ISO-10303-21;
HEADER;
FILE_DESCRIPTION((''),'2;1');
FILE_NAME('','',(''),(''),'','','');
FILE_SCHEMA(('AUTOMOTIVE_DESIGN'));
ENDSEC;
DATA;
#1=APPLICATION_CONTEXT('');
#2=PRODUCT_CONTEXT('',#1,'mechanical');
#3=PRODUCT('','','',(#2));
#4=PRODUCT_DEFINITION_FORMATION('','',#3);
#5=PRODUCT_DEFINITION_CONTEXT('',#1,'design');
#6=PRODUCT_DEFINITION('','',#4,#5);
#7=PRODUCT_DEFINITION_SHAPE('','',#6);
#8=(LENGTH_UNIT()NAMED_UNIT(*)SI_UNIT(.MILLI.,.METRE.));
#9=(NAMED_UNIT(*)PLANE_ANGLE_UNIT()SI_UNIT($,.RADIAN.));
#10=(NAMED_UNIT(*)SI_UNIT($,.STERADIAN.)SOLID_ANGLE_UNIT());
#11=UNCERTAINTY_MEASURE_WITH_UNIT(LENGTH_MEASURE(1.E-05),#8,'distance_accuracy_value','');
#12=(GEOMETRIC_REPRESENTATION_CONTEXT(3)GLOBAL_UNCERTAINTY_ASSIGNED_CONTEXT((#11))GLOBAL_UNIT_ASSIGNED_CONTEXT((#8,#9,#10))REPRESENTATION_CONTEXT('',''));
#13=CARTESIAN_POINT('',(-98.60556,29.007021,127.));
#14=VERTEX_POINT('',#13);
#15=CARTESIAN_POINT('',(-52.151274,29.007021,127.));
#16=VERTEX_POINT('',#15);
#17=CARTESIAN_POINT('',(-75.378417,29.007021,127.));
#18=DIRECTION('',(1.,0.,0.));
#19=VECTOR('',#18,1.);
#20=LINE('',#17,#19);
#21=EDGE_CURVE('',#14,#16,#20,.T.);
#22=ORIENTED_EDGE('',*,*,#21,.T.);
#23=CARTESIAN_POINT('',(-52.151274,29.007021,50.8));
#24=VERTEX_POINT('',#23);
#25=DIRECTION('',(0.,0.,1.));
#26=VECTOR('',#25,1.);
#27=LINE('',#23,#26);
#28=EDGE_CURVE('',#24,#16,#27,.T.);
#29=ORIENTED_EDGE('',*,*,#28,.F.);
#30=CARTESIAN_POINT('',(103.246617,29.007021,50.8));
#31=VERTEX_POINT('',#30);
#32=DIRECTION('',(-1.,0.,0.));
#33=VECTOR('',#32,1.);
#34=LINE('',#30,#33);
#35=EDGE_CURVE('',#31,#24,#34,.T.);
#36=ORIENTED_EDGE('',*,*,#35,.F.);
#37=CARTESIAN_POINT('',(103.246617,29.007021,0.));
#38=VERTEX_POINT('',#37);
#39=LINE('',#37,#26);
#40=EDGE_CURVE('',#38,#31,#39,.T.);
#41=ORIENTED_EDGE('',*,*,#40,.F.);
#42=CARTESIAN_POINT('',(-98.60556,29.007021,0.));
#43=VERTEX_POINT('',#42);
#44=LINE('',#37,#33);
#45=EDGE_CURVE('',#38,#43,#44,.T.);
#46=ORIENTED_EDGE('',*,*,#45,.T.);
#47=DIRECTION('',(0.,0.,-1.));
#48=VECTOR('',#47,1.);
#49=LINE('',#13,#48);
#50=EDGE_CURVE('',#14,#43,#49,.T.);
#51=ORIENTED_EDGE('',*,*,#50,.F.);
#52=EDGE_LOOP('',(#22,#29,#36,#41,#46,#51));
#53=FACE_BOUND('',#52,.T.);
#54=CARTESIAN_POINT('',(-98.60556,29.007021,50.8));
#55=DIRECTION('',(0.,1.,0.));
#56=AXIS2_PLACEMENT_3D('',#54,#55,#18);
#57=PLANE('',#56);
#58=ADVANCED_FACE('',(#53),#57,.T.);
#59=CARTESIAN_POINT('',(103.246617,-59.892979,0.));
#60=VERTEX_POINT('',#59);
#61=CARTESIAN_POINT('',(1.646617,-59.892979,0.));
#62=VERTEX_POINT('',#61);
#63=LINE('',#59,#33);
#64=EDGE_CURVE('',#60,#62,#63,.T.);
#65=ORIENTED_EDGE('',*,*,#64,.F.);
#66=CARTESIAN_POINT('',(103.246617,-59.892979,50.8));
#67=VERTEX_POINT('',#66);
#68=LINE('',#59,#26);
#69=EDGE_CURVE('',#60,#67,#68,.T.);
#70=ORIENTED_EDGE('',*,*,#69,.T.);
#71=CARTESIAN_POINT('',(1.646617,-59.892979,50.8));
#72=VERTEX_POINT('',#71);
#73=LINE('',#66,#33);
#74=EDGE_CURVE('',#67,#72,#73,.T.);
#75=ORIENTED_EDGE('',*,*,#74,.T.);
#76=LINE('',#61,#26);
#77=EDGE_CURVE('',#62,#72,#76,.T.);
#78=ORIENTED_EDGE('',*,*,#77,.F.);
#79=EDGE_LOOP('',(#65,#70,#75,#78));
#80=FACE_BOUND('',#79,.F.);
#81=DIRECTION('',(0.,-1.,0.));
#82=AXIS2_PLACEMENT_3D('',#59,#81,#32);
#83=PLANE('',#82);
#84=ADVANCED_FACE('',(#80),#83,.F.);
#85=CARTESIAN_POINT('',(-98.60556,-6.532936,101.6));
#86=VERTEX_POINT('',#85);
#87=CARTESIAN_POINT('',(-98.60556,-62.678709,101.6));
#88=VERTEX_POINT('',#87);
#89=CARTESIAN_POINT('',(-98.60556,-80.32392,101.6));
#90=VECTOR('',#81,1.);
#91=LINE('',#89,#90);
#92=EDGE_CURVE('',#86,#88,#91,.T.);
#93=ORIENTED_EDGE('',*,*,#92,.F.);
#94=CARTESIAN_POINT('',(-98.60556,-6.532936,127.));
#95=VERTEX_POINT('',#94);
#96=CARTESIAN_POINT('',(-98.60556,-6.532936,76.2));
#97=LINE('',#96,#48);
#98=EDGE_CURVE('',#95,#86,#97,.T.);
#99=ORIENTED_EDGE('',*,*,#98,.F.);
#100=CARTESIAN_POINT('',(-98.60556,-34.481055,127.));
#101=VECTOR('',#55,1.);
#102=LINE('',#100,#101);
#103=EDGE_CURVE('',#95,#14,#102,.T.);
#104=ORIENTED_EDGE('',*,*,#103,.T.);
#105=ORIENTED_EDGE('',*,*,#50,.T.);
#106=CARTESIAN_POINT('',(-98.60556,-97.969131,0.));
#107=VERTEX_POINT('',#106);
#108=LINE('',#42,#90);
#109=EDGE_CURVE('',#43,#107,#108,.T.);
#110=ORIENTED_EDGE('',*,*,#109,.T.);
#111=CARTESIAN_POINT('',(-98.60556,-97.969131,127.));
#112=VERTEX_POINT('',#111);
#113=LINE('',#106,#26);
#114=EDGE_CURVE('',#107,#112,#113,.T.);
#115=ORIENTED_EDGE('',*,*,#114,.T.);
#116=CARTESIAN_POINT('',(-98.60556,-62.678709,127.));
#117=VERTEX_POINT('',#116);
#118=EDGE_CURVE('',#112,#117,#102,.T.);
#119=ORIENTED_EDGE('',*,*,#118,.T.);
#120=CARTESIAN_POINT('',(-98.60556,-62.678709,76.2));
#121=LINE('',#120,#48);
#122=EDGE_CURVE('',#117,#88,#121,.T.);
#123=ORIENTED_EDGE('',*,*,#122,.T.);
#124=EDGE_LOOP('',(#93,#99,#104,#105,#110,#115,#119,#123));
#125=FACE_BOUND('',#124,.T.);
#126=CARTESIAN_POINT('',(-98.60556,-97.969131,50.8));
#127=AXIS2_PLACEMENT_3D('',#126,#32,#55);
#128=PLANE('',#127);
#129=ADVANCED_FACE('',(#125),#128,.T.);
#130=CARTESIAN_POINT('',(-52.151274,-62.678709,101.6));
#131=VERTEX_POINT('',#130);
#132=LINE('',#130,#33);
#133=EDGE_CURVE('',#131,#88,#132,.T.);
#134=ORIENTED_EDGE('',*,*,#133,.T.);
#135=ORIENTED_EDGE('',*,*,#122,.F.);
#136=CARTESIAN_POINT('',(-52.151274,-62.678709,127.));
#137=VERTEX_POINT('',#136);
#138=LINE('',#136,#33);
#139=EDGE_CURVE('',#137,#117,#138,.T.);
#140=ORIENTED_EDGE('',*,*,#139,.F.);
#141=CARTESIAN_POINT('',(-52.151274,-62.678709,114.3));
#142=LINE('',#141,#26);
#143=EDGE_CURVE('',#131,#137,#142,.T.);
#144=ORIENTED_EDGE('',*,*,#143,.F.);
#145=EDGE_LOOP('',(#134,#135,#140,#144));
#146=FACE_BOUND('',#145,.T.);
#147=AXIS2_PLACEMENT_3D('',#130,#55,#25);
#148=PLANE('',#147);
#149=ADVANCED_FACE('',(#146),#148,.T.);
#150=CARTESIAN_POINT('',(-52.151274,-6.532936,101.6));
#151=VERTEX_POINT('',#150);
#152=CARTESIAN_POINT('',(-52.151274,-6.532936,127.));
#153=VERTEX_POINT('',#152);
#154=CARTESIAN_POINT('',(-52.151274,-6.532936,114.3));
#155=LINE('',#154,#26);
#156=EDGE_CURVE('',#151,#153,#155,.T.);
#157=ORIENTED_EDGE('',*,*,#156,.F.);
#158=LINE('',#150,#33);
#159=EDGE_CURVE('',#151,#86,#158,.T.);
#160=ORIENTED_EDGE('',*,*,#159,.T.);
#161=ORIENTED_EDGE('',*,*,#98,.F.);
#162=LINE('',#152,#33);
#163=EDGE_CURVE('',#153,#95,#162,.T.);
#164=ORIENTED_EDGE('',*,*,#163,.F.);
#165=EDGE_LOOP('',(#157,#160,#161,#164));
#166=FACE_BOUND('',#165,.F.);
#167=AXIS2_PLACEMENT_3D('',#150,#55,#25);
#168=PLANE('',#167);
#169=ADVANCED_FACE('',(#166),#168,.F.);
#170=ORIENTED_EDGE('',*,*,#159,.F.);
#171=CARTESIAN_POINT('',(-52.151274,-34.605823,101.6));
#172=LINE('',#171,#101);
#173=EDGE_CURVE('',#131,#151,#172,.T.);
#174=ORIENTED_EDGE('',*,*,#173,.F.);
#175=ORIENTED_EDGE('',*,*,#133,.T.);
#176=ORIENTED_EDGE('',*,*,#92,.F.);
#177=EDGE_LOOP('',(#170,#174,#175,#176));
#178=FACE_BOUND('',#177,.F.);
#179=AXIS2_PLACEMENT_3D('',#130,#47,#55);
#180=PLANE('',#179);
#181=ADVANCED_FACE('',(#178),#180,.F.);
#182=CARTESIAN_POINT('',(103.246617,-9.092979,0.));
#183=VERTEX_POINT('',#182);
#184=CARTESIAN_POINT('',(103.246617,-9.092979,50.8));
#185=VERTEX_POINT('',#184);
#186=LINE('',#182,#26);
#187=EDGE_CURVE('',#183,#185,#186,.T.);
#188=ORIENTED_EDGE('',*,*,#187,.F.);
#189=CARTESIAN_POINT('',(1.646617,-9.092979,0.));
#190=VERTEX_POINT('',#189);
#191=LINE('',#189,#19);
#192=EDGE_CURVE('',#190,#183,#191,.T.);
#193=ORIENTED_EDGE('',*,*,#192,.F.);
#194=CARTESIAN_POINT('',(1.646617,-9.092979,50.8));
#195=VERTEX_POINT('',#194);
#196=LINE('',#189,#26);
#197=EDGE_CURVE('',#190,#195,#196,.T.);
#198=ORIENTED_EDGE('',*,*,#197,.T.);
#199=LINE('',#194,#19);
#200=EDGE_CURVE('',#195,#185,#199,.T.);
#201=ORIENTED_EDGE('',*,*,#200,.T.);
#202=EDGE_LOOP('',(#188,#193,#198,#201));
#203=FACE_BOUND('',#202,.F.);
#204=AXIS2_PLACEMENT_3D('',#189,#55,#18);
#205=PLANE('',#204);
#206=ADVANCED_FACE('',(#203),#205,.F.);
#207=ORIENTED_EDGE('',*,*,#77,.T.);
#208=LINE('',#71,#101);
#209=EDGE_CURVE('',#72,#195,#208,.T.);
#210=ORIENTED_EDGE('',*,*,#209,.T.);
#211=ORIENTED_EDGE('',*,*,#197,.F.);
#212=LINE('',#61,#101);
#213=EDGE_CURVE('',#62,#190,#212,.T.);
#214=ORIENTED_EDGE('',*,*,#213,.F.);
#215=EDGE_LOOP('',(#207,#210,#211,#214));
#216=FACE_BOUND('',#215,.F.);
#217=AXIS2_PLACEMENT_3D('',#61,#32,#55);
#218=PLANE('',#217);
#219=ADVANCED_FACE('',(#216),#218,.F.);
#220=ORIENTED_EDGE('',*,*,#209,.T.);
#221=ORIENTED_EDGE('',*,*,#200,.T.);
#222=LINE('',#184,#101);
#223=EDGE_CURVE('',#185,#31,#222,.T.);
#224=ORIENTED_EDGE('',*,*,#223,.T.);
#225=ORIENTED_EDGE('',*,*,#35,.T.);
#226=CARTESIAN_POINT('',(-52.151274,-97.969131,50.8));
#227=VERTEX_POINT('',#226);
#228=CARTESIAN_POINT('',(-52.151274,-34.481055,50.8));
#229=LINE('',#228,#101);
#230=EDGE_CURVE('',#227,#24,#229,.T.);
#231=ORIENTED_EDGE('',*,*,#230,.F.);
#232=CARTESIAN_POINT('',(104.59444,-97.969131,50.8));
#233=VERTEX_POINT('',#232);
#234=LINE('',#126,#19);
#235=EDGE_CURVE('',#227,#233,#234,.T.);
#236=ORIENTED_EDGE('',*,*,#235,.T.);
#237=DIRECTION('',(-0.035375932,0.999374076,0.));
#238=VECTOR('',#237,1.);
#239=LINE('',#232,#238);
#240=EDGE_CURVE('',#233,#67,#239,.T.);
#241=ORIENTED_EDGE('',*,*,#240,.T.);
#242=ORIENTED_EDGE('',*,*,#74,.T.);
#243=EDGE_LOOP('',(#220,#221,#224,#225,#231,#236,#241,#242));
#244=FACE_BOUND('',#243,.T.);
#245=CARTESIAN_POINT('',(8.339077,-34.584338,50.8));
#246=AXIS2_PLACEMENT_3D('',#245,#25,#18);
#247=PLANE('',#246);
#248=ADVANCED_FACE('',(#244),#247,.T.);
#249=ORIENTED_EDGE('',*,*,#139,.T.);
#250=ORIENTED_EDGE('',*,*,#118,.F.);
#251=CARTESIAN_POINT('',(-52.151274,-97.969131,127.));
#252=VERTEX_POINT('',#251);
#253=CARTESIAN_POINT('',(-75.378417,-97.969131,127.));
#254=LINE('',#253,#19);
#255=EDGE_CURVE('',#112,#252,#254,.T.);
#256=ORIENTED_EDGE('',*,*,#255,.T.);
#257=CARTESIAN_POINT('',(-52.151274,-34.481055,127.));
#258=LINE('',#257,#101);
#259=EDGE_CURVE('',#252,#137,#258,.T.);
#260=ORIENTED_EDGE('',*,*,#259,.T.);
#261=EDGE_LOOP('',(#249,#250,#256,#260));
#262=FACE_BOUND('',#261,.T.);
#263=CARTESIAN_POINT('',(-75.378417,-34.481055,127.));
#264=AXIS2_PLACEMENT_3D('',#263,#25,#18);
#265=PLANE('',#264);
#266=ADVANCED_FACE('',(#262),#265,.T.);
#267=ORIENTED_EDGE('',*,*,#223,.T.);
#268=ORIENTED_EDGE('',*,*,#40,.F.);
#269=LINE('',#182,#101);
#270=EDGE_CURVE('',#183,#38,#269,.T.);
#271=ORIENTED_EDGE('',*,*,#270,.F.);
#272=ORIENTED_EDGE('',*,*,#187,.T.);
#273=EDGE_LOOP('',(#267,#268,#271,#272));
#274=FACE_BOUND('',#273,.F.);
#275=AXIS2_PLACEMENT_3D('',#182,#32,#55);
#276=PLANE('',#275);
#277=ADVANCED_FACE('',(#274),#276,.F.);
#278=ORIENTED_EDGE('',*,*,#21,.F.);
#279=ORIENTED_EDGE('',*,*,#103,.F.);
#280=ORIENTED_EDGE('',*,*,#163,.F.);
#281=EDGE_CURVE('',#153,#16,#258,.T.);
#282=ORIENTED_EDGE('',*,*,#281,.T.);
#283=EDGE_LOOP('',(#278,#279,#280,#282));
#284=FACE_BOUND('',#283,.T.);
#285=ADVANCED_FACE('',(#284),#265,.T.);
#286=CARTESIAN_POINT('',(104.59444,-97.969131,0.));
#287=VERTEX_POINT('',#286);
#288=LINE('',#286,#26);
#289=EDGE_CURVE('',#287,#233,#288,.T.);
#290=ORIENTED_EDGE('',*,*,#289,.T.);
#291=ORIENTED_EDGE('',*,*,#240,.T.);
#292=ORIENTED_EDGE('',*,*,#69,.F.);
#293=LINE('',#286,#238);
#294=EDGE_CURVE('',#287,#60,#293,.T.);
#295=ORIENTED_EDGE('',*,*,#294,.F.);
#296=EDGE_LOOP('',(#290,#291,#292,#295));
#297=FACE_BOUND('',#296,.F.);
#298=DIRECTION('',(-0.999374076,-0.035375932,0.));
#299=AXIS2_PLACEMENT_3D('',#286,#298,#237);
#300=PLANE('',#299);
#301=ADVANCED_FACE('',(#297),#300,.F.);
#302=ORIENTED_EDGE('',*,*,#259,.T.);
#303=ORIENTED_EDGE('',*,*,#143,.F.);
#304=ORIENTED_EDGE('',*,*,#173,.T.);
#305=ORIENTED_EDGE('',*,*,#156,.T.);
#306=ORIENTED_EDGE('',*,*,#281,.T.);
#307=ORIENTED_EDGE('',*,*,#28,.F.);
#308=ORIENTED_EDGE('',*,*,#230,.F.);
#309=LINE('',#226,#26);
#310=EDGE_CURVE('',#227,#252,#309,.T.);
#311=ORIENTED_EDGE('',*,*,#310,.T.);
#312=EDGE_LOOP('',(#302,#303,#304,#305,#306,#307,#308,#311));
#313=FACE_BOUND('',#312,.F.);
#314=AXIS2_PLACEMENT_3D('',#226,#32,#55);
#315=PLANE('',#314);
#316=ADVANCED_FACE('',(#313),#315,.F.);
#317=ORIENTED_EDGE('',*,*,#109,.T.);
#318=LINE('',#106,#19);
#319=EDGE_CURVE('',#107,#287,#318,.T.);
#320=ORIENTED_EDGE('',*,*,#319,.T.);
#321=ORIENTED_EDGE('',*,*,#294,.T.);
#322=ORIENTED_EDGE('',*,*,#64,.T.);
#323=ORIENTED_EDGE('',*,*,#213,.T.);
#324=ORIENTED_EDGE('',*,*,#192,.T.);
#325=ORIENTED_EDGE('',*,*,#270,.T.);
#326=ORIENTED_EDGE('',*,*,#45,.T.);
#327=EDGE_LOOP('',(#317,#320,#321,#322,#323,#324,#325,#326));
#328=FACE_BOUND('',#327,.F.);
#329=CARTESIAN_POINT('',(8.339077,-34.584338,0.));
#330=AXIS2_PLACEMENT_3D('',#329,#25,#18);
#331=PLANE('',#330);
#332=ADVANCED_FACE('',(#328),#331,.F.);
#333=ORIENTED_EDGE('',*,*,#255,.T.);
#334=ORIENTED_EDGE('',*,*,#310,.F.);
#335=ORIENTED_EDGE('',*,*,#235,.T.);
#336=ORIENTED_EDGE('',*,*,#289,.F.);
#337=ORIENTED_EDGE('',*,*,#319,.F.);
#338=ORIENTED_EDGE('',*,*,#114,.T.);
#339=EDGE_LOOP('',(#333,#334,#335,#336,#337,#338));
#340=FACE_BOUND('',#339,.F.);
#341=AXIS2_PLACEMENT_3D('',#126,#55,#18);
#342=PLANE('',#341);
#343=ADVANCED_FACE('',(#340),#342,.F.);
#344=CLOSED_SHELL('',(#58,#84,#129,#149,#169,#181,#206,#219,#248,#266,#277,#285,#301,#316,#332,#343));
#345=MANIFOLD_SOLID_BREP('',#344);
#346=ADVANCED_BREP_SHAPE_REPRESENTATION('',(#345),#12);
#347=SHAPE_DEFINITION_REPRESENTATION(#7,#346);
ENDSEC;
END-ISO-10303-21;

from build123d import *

# Parameters (mm, degrees)
F1_DEPTH = 50.8
F2_W     = 46.454286
F2_H     = 126.976152
F3_DEPTH = 76.2
F4_W     = 56.145773
F4_H     = 25.4
F5_DEPTH = 50.8


with BuildPart() as f1:
    # F0 (on Top) → F1 (new body)
    with BuildSketch(Plane.XY):
        Polygon((103.246617, 29.007021), (-98.60556, 29.007021), (-98.60556, -97.969131), (104.59444, -97.969131), (103.246617, -59.892979), (1.646617, -59.892979), (1.646617, -9.092979), (103.246617, -9.092979), align=None)
    extrude(amount=F1_DEPTH)

    # F2 (on face) → F3 (join)
    with BuildSketch(Plane.XY.offset(50.8)):
        with Locations((-75.378417, -34.481055)):
            Rectangle(F2_W, F2_H)
    extrude(amount=F3_DEPTH)

    # F4 (on face) → F5 (cut)
    with BuildSketch(Plane.YZ.offset(-52.151274)):
        with Locations((-34.605823, 114.3)):
            Rectangle(F4_W, F4_H)
    extrude(amount=-F5_DEPTH, mode=Mode.SUBTRACT)


solid = f1.part
